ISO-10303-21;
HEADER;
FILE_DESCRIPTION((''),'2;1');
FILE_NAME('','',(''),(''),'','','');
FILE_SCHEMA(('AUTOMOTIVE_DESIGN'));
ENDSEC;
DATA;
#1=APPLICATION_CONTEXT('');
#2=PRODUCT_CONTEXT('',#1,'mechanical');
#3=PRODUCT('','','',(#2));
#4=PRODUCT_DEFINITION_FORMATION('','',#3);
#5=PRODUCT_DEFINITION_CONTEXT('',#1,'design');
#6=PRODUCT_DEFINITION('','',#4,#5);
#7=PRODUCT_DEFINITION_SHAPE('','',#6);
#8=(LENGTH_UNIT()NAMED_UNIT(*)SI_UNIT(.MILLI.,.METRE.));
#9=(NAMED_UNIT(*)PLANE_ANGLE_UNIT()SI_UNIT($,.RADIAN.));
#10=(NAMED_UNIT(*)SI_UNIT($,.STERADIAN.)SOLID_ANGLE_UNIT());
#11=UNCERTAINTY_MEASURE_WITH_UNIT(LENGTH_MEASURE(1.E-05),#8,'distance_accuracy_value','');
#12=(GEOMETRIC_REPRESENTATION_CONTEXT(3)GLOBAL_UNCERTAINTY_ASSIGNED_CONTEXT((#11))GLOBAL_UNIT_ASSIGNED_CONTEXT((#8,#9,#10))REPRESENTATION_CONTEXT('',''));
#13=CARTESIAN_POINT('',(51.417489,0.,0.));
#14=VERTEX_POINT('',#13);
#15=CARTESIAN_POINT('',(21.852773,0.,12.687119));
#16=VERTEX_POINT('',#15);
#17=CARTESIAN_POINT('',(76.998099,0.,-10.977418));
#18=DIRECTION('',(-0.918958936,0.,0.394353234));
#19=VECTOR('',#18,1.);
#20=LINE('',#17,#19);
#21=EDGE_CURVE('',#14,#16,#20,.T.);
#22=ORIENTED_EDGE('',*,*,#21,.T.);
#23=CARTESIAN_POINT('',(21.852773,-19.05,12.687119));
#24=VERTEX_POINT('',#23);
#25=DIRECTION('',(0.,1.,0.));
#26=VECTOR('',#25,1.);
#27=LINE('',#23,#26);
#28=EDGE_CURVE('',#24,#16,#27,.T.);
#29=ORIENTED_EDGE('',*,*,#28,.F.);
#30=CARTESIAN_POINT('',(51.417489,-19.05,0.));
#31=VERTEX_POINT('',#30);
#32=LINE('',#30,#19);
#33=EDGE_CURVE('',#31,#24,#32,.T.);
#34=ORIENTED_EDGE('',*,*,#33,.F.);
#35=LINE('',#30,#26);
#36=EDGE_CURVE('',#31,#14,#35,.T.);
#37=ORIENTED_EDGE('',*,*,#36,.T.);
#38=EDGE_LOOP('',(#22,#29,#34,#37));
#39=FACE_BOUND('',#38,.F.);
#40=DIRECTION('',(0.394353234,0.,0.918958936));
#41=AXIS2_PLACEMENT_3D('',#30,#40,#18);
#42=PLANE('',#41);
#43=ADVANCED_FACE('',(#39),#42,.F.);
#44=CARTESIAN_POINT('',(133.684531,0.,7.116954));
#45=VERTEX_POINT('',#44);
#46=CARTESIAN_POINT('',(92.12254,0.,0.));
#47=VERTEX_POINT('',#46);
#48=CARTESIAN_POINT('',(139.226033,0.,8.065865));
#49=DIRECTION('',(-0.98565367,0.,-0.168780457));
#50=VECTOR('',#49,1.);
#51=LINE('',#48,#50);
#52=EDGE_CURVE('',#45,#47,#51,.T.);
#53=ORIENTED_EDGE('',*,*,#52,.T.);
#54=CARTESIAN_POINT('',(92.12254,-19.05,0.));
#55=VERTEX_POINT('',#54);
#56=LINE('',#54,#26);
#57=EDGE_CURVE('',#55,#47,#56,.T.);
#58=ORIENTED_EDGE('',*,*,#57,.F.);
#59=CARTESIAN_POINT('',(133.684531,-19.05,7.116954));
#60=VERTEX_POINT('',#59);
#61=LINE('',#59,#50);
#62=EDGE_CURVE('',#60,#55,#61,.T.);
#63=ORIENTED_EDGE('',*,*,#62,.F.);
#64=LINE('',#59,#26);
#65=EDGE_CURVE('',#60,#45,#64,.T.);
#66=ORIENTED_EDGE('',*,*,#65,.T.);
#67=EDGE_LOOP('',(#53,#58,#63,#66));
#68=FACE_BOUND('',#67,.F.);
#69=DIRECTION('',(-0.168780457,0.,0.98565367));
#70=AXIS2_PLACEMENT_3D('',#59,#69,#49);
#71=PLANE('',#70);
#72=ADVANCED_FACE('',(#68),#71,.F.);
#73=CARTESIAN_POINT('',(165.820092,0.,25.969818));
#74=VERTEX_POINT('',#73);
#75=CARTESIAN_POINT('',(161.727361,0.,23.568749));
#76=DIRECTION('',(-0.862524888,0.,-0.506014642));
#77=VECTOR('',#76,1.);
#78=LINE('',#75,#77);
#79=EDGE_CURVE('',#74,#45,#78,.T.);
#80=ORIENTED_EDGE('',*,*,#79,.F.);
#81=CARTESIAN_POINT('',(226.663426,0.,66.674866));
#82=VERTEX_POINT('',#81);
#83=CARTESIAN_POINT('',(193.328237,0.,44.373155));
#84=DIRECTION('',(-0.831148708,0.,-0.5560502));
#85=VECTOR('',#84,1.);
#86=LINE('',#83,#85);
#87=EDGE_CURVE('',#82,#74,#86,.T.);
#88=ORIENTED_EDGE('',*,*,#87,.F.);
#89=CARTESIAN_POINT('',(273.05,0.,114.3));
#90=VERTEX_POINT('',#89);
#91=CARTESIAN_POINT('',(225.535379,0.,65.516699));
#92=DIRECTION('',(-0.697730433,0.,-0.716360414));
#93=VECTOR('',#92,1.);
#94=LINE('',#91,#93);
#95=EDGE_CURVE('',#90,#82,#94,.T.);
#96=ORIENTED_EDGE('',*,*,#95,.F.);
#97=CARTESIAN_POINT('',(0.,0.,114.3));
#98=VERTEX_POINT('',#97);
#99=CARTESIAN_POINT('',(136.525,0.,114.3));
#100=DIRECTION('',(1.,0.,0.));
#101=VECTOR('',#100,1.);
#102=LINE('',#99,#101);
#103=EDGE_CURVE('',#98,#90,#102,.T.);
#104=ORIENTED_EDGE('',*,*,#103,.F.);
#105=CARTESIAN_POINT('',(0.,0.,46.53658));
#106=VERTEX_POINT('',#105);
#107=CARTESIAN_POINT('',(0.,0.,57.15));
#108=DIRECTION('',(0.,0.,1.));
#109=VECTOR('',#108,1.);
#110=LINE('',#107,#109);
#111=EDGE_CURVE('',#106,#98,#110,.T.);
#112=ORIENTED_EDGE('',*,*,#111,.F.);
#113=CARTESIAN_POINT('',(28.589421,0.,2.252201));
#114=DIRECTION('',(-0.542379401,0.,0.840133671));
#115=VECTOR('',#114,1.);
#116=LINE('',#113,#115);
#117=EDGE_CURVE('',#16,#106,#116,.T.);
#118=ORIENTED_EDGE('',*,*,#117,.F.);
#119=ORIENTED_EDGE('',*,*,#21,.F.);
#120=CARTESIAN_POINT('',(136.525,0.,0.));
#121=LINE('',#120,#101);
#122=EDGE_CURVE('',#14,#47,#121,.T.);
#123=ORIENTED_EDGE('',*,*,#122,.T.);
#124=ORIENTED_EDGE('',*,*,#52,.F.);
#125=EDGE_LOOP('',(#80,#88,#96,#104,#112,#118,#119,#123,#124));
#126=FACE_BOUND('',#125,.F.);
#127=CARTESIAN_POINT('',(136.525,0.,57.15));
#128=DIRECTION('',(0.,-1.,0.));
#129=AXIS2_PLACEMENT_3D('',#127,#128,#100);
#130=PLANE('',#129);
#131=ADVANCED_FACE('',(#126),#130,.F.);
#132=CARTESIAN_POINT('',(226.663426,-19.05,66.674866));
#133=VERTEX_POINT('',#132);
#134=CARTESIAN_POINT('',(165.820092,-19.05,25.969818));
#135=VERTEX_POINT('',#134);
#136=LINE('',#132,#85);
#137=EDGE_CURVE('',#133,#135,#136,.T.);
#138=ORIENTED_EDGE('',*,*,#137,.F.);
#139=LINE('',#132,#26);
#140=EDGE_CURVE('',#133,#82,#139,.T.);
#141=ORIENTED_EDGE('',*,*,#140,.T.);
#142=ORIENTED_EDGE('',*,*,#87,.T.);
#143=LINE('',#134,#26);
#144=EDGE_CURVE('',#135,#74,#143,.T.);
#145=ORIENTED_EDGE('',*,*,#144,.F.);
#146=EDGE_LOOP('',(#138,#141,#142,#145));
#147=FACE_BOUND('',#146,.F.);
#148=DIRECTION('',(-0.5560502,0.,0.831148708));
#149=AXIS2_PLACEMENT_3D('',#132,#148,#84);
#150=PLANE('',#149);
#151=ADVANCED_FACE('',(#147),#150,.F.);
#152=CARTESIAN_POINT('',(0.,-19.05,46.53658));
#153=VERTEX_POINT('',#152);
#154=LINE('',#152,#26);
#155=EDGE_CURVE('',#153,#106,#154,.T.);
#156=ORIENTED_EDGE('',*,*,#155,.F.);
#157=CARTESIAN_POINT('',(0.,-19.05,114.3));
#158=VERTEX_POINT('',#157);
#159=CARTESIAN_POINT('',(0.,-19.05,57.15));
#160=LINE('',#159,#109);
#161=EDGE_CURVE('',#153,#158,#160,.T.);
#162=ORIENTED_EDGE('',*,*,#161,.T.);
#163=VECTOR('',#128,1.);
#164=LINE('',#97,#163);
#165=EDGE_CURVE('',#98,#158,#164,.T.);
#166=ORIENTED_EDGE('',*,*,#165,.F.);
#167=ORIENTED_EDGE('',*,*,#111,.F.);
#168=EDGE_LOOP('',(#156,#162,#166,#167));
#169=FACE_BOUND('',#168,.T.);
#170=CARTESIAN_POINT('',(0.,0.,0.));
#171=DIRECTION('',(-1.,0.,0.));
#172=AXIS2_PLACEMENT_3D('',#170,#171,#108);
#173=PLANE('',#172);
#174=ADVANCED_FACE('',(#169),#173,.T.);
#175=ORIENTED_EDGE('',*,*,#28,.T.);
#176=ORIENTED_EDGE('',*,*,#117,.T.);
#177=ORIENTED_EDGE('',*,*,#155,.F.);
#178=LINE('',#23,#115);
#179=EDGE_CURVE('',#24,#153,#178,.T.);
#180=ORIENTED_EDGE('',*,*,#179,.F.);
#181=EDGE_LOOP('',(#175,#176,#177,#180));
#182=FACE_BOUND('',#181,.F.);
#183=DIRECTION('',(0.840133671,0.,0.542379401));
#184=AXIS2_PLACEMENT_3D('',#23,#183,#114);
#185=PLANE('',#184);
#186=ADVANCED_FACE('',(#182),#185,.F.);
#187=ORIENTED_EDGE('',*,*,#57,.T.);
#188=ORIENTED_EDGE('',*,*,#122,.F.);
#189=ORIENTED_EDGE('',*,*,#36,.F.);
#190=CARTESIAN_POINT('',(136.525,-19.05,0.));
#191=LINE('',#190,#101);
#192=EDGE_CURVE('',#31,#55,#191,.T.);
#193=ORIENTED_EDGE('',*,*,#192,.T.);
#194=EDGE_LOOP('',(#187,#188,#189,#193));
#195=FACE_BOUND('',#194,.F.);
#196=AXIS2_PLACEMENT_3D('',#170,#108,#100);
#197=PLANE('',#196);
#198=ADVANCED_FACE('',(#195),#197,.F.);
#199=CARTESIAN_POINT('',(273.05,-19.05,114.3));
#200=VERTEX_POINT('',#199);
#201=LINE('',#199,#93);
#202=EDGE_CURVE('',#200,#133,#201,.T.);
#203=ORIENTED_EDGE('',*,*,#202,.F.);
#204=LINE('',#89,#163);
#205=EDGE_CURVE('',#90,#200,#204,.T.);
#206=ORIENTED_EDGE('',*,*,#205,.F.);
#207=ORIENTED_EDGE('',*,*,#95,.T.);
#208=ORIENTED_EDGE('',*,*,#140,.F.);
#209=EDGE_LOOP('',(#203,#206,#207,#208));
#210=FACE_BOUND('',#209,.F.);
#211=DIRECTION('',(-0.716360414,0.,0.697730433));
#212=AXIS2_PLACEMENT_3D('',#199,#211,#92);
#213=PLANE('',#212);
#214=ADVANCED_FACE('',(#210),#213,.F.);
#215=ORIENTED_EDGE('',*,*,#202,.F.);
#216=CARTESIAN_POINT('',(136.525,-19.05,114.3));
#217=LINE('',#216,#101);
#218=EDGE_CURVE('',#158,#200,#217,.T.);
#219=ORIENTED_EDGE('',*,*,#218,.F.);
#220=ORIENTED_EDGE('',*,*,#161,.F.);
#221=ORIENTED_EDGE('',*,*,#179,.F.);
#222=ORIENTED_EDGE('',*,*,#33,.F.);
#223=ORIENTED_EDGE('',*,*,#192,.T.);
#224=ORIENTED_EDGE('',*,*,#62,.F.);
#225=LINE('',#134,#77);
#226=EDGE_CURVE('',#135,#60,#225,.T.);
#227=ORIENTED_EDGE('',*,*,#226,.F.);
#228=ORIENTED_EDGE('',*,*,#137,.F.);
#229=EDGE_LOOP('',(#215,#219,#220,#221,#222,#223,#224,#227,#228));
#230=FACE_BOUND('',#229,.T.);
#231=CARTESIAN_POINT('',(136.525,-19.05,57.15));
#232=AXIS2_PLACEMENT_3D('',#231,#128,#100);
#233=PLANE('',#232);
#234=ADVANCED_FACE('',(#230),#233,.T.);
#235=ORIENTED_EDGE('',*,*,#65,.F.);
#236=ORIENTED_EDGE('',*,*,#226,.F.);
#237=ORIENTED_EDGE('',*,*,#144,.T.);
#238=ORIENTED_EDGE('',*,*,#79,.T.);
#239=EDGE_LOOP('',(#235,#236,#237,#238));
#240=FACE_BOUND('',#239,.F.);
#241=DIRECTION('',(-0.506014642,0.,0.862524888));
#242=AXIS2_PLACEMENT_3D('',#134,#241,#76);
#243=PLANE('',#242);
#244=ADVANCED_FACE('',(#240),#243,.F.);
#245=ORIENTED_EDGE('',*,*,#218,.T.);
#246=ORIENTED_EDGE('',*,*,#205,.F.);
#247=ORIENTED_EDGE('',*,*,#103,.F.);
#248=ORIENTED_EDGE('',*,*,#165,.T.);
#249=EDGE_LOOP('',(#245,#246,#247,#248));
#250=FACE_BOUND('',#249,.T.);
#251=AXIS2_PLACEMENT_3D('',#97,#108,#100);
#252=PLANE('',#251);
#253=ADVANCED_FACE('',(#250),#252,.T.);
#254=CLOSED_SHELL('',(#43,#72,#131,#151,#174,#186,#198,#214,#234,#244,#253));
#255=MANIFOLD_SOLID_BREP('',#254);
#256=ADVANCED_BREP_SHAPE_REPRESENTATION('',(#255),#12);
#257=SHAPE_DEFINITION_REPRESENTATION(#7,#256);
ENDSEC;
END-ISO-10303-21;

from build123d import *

# Parameters (mm, degrees)
F0_W     = 273.05
F0_H     = 114.3
F1_DEPTH = 19.05
F3_DEPTH = 25.4


with BuildPart() as f1:
    # F0 (on Front) → F1 (new body)
    with BuildSketch(Plane.XZ):
        with Locations((136.525, 57.15)):
            Rectangle(F0_W, F0_H)
    extrude(amount=F1_DEPTH)

    # F2 (on face) → F3 (cut)
    with BuildSketch(Plane.XZ.offset(19.05)):
        Polygon((21.852773, 12.687119), (0, 46.53658), (0, 0), (51.417489, 0), align=None)
        Polygon((273.05, 0), (273.05, 114.3), (226.663426, 66.674866), (165.820092, 25.969818), (133.684531, 7.116954), (92.12254, 0), align=None)
    extrude(amount=-F3_DEPTH, mode=Mode.SUBTRACT)


solid = f1.part
